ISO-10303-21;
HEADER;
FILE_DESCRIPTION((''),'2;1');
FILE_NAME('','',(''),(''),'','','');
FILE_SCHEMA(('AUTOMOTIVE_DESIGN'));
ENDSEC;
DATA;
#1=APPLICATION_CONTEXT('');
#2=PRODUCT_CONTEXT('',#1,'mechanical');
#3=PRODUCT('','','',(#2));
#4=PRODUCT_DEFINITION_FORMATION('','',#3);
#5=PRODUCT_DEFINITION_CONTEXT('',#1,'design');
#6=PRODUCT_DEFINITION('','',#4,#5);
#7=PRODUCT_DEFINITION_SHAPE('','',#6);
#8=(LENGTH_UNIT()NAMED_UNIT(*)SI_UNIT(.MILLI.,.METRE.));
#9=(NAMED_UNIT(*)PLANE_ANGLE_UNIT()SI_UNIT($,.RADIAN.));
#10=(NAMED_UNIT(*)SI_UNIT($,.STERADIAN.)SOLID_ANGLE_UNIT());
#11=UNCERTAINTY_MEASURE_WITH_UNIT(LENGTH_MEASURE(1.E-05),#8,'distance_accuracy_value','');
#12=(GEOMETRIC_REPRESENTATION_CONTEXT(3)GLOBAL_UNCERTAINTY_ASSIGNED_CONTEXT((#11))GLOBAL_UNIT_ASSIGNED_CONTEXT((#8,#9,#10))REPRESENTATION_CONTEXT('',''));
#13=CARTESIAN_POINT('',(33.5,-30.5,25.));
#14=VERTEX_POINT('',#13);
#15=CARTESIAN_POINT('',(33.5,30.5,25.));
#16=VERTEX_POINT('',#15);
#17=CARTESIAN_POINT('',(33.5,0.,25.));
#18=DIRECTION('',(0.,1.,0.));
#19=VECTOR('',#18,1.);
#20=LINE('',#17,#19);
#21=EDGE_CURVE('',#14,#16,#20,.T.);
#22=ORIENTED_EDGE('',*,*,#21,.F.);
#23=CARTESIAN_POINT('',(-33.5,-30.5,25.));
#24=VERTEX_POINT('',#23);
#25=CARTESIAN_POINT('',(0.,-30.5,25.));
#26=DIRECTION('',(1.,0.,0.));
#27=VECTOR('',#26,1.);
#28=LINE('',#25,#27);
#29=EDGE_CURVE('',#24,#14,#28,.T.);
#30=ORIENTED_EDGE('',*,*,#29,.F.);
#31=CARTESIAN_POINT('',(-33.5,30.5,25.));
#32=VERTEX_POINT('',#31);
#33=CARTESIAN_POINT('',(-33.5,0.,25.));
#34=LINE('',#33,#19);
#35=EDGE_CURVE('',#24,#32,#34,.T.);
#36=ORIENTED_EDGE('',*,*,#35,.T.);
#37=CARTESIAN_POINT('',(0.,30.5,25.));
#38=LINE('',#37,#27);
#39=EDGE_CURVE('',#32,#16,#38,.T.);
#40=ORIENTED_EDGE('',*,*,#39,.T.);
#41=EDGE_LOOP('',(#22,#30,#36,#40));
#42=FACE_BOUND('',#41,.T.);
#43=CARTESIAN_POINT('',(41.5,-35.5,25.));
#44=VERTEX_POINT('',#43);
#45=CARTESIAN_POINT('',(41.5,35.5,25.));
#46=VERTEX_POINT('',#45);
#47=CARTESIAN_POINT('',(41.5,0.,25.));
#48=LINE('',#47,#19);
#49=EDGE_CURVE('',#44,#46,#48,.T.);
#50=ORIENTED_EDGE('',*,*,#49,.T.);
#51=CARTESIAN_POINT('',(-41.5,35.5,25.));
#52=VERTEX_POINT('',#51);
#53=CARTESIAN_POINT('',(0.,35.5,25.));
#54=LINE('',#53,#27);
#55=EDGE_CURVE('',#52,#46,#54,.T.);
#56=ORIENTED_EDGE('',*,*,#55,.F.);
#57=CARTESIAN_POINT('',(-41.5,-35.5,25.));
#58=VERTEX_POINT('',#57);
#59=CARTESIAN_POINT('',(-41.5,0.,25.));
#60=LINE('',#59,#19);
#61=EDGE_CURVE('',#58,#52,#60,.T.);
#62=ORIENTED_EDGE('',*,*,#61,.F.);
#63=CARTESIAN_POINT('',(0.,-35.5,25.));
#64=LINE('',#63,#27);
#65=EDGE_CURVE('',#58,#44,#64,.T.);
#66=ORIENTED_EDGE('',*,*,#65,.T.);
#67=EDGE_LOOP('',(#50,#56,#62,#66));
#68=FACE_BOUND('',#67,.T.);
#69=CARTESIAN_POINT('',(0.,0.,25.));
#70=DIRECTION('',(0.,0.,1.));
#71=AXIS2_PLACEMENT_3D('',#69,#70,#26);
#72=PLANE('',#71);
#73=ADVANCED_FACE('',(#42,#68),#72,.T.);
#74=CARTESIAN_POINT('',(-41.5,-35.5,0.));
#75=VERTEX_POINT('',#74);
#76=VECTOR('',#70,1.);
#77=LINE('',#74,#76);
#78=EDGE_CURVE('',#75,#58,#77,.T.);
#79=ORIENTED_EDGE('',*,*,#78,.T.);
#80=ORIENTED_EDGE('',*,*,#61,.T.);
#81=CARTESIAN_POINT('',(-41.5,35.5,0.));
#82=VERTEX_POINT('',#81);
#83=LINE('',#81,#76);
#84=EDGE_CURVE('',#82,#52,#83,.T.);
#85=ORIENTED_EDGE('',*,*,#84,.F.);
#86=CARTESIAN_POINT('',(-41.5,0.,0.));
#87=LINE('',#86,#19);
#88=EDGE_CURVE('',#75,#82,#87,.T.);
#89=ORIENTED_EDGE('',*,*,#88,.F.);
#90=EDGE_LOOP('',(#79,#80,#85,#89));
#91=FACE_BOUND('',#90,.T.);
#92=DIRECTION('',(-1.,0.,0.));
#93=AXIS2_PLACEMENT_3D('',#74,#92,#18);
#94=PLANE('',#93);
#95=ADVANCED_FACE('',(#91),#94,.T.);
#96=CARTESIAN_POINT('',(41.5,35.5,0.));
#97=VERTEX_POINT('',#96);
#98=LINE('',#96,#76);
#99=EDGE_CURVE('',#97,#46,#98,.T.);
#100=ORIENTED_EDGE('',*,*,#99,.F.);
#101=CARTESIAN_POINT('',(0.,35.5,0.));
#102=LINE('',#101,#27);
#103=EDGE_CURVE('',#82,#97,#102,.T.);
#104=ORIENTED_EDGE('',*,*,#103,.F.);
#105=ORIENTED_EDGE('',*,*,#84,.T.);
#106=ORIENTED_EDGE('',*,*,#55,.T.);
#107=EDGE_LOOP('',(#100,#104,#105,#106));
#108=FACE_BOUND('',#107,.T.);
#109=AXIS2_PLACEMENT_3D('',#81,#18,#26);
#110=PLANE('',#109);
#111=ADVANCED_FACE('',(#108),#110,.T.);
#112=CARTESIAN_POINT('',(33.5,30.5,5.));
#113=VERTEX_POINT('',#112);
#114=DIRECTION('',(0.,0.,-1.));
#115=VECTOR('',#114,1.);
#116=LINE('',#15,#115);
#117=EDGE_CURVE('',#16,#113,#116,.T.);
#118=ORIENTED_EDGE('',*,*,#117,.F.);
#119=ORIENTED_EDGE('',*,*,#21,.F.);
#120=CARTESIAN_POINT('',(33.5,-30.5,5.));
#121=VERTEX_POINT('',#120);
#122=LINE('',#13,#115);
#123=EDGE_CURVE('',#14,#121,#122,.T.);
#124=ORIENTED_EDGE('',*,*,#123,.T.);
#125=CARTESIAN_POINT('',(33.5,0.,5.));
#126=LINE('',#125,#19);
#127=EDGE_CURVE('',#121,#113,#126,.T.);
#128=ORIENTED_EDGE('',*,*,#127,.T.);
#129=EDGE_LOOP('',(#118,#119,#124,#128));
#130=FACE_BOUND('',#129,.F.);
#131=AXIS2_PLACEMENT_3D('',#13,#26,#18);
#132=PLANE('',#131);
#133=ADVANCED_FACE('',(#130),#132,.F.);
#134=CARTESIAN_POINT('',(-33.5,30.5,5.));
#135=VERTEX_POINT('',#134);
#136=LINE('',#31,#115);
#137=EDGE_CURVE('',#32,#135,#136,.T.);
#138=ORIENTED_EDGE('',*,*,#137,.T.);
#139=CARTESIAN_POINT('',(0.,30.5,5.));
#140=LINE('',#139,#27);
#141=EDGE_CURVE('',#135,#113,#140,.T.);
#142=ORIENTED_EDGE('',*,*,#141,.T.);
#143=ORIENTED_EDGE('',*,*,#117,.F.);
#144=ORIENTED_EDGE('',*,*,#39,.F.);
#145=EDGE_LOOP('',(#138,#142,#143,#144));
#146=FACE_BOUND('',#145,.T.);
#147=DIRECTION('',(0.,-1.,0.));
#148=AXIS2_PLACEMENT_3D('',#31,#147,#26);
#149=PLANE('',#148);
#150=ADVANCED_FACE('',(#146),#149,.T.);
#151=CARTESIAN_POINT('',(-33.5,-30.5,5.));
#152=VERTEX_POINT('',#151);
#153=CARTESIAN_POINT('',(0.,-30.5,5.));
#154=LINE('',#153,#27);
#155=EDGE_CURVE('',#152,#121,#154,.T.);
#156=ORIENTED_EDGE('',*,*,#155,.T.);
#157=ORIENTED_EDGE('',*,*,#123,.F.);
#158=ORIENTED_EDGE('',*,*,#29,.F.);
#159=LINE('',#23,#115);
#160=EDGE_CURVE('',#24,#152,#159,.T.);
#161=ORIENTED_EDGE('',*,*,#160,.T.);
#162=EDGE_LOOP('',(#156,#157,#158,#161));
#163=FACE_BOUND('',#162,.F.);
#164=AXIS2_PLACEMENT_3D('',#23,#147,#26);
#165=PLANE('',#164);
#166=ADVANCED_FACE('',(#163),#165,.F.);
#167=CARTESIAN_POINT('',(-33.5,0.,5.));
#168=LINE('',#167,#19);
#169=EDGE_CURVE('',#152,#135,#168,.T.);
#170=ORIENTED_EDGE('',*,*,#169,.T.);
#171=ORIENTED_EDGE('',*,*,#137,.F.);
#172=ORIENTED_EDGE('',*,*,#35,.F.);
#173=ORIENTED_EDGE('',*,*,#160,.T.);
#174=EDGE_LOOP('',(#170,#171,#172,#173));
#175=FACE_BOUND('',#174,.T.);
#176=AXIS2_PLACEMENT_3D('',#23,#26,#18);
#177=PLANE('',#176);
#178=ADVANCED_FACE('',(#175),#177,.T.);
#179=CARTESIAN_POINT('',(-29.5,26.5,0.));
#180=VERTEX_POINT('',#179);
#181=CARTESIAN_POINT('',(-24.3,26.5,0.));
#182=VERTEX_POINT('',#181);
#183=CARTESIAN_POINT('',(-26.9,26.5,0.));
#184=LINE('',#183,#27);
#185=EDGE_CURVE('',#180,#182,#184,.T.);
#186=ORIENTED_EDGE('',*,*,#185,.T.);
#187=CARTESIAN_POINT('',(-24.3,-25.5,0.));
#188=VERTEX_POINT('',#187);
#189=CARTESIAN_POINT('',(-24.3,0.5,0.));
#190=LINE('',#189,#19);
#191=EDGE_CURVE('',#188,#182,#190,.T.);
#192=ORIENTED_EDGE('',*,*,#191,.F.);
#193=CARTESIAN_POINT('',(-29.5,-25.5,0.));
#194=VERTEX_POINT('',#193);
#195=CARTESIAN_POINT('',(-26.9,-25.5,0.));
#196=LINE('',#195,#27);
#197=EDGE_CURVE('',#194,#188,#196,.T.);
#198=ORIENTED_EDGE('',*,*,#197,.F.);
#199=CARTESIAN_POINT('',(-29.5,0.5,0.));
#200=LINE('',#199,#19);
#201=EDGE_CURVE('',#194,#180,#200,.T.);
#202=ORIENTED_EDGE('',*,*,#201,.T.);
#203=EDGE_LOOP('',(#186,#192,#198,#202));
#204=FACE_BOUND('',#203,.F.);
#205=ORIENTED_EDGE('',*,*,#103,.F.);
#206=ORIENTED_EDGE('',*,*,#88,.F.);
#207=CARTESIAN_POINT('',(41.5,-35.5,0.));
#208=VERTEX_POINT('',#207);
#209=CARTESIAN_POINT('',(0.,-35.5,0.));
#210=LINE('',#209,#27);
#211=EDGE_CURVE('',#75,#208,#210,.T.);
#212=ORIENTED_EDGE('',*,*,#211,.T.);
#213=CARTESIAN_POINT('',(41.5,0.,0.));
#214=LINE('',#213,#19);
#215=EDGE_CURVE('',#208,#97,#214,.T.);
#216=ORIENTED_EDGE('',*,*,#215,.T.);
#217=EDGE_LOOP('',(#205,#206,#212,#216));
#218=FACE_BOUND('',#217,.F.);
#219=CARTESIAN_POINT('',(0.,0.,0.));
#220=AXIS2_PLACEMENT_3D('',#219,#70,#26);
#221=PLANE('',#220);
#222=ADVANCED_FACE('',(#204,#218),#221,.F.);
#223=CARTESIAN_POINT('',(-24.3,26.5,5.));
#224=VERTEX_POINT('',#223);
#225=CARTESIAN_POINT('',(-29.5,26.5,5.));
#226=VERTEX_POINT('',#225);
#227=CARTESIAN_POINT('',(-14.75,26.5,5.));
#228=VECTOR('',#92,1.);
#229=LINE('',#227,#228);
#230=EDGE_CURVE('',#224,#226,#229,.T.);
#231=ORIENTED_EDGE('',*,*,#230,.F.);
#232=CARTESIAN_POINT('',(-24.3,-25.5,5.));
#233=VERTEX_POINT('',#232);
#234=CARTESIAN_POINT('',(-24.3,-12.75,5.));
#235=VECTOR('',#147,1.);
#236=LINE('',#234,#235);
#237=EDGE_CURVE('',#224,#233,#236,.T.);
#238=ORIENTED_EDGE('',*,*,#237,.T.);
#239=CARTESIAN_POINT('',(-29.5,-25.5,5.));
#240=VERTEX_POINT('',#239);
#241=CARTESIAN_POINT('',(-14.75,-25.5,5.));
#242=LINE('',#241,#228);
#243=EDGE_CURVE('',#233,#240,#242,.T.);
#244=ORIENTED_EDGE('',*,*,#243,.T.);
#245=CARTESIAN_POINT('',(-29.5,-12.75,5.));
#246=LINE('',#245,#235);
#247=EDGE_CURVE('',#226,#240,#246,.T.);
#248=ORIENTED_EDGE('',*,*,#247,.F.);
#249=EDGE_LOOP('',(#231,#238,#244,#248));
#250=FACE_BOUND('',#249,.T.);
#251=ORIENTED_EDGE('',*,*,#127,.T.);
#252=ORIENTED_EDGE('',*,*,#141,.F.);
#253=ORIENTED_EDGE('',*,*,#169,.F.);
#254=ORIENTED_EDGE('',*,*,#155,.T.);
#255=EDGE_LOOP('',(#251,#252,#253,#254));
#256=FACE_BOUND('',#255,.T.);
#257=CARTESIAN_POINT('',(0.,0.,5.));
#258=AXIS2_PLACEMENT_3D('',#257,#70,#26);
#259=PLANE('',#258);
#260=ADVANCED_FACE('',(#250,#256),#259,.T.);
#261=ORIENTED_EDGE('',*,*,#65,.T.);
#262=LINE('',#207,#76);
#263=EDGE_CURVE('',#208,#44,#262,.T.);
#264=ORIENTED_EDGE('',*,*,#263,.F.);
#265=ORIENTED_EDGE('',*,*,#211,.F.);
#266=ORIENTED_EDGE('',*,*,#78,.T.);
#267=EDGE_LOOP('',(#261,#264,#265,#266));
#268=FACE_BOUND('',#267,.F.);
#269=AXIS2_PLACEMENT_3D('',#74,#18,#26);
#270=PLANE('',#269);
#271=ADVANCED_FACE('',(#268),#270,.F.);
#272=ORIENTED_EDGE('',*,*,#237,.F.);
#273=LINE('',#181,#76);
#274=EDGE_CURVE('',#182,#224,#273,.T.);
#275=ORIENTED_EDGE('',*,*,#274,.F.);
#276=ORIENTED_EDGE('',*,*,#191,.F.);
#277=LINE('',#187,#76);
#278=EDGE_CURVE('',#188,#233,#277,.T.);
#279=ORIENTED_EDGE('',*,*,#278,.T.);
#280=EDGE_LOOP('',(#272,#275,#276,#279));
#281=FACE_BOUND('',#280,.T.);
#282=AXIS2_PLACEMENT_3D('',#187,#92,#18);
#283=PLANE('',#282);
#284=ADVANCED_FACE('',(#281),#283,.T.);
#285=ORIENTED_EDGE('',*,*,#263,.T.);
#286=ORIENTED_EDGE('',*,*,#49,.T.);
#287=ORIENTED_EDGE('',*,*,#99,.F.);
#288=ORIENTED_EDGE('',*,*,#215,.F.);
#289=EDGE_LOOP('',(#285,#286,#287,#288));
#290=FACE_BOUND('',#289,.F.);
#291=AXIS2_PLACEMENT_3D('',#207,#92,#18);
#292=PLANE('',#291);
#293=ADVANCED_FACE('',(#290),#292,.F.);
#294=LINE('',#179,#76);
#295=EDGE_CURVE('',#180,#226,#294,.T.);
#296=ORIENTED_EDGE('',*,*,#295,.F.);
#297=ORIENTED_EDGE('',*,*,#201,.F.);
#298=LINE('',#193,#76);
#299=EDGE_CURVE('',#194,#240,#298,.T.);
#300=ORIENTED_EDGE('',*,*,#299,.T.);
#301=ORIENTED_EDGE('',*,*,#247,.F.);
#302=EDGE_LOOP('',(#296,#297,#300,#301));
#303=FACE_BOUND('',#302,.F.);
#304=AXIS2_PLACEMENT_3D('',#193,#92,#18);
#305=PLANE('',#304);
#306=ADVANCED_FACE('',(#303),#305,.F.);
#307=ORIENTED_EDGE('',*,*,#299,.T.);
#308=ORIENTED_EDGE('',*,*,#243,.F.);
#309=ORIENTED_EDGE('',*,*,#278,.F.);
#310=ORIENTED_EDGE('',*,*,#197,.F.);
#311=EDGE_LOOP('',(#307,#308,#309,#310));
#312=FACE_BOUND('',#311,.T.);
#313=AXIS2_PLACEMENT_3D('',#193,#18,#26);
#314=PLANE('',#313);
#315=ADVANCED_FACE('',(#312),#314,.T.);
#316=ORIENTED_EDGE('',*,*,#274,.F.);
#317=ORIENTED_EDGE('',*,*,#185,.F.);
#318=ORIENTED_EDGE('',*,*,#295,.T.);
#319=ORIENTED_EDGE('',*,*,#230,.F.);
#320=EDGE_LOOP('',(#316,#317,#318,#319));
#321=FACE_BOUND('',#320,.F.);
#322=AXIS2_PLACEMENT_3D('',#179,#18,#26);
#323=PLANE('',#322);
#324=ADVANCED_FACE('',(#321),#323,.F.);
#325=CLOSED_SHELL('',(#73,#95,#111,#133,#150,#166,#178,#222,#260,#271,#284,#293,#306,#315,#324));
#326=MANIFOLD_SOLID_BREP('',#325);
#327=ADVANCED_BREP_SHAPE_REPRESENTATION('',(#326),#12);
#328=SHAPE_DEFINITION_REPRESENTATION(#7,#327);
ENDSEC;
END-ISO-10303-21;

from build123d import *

# Parameters (mm, degrees)
F0_W     = 83
F0_H     = 71
F1_DEPTH = 25
F2_W     = 67
F2_H     = 61
F3_DEPTH = 20
F4_W     = 5.2
F4_H     = 52
F5_DEPTH = 25.001


with BuildPart() as f1:
    # F0 (on Top) → F1 (new body)
    with BuildSketch(Plane.XY):
        Rectangle(F0_W, F0_H)
    extrude(amount=F1_DEPTH)

    # F2 (on face) → F3 (cut)
    with BuildSketch(Plane.XY.offset(25)):
        Rectangle(F2_W, F2_H)
    extrude(amount=-F3_DEPTH, mode=Mode.SUBTRACT)

    # F4 (on Top) → F5 (cut, through all)
    with BuildSketch(Plane.XY):
        with Locations((-26.9, 0.5)):
            Rectangle(F4_W, F4_H)
    extrude(amount=F5_DEPTH, mode=Mode.SUBTRACT)


solid = f1.part
